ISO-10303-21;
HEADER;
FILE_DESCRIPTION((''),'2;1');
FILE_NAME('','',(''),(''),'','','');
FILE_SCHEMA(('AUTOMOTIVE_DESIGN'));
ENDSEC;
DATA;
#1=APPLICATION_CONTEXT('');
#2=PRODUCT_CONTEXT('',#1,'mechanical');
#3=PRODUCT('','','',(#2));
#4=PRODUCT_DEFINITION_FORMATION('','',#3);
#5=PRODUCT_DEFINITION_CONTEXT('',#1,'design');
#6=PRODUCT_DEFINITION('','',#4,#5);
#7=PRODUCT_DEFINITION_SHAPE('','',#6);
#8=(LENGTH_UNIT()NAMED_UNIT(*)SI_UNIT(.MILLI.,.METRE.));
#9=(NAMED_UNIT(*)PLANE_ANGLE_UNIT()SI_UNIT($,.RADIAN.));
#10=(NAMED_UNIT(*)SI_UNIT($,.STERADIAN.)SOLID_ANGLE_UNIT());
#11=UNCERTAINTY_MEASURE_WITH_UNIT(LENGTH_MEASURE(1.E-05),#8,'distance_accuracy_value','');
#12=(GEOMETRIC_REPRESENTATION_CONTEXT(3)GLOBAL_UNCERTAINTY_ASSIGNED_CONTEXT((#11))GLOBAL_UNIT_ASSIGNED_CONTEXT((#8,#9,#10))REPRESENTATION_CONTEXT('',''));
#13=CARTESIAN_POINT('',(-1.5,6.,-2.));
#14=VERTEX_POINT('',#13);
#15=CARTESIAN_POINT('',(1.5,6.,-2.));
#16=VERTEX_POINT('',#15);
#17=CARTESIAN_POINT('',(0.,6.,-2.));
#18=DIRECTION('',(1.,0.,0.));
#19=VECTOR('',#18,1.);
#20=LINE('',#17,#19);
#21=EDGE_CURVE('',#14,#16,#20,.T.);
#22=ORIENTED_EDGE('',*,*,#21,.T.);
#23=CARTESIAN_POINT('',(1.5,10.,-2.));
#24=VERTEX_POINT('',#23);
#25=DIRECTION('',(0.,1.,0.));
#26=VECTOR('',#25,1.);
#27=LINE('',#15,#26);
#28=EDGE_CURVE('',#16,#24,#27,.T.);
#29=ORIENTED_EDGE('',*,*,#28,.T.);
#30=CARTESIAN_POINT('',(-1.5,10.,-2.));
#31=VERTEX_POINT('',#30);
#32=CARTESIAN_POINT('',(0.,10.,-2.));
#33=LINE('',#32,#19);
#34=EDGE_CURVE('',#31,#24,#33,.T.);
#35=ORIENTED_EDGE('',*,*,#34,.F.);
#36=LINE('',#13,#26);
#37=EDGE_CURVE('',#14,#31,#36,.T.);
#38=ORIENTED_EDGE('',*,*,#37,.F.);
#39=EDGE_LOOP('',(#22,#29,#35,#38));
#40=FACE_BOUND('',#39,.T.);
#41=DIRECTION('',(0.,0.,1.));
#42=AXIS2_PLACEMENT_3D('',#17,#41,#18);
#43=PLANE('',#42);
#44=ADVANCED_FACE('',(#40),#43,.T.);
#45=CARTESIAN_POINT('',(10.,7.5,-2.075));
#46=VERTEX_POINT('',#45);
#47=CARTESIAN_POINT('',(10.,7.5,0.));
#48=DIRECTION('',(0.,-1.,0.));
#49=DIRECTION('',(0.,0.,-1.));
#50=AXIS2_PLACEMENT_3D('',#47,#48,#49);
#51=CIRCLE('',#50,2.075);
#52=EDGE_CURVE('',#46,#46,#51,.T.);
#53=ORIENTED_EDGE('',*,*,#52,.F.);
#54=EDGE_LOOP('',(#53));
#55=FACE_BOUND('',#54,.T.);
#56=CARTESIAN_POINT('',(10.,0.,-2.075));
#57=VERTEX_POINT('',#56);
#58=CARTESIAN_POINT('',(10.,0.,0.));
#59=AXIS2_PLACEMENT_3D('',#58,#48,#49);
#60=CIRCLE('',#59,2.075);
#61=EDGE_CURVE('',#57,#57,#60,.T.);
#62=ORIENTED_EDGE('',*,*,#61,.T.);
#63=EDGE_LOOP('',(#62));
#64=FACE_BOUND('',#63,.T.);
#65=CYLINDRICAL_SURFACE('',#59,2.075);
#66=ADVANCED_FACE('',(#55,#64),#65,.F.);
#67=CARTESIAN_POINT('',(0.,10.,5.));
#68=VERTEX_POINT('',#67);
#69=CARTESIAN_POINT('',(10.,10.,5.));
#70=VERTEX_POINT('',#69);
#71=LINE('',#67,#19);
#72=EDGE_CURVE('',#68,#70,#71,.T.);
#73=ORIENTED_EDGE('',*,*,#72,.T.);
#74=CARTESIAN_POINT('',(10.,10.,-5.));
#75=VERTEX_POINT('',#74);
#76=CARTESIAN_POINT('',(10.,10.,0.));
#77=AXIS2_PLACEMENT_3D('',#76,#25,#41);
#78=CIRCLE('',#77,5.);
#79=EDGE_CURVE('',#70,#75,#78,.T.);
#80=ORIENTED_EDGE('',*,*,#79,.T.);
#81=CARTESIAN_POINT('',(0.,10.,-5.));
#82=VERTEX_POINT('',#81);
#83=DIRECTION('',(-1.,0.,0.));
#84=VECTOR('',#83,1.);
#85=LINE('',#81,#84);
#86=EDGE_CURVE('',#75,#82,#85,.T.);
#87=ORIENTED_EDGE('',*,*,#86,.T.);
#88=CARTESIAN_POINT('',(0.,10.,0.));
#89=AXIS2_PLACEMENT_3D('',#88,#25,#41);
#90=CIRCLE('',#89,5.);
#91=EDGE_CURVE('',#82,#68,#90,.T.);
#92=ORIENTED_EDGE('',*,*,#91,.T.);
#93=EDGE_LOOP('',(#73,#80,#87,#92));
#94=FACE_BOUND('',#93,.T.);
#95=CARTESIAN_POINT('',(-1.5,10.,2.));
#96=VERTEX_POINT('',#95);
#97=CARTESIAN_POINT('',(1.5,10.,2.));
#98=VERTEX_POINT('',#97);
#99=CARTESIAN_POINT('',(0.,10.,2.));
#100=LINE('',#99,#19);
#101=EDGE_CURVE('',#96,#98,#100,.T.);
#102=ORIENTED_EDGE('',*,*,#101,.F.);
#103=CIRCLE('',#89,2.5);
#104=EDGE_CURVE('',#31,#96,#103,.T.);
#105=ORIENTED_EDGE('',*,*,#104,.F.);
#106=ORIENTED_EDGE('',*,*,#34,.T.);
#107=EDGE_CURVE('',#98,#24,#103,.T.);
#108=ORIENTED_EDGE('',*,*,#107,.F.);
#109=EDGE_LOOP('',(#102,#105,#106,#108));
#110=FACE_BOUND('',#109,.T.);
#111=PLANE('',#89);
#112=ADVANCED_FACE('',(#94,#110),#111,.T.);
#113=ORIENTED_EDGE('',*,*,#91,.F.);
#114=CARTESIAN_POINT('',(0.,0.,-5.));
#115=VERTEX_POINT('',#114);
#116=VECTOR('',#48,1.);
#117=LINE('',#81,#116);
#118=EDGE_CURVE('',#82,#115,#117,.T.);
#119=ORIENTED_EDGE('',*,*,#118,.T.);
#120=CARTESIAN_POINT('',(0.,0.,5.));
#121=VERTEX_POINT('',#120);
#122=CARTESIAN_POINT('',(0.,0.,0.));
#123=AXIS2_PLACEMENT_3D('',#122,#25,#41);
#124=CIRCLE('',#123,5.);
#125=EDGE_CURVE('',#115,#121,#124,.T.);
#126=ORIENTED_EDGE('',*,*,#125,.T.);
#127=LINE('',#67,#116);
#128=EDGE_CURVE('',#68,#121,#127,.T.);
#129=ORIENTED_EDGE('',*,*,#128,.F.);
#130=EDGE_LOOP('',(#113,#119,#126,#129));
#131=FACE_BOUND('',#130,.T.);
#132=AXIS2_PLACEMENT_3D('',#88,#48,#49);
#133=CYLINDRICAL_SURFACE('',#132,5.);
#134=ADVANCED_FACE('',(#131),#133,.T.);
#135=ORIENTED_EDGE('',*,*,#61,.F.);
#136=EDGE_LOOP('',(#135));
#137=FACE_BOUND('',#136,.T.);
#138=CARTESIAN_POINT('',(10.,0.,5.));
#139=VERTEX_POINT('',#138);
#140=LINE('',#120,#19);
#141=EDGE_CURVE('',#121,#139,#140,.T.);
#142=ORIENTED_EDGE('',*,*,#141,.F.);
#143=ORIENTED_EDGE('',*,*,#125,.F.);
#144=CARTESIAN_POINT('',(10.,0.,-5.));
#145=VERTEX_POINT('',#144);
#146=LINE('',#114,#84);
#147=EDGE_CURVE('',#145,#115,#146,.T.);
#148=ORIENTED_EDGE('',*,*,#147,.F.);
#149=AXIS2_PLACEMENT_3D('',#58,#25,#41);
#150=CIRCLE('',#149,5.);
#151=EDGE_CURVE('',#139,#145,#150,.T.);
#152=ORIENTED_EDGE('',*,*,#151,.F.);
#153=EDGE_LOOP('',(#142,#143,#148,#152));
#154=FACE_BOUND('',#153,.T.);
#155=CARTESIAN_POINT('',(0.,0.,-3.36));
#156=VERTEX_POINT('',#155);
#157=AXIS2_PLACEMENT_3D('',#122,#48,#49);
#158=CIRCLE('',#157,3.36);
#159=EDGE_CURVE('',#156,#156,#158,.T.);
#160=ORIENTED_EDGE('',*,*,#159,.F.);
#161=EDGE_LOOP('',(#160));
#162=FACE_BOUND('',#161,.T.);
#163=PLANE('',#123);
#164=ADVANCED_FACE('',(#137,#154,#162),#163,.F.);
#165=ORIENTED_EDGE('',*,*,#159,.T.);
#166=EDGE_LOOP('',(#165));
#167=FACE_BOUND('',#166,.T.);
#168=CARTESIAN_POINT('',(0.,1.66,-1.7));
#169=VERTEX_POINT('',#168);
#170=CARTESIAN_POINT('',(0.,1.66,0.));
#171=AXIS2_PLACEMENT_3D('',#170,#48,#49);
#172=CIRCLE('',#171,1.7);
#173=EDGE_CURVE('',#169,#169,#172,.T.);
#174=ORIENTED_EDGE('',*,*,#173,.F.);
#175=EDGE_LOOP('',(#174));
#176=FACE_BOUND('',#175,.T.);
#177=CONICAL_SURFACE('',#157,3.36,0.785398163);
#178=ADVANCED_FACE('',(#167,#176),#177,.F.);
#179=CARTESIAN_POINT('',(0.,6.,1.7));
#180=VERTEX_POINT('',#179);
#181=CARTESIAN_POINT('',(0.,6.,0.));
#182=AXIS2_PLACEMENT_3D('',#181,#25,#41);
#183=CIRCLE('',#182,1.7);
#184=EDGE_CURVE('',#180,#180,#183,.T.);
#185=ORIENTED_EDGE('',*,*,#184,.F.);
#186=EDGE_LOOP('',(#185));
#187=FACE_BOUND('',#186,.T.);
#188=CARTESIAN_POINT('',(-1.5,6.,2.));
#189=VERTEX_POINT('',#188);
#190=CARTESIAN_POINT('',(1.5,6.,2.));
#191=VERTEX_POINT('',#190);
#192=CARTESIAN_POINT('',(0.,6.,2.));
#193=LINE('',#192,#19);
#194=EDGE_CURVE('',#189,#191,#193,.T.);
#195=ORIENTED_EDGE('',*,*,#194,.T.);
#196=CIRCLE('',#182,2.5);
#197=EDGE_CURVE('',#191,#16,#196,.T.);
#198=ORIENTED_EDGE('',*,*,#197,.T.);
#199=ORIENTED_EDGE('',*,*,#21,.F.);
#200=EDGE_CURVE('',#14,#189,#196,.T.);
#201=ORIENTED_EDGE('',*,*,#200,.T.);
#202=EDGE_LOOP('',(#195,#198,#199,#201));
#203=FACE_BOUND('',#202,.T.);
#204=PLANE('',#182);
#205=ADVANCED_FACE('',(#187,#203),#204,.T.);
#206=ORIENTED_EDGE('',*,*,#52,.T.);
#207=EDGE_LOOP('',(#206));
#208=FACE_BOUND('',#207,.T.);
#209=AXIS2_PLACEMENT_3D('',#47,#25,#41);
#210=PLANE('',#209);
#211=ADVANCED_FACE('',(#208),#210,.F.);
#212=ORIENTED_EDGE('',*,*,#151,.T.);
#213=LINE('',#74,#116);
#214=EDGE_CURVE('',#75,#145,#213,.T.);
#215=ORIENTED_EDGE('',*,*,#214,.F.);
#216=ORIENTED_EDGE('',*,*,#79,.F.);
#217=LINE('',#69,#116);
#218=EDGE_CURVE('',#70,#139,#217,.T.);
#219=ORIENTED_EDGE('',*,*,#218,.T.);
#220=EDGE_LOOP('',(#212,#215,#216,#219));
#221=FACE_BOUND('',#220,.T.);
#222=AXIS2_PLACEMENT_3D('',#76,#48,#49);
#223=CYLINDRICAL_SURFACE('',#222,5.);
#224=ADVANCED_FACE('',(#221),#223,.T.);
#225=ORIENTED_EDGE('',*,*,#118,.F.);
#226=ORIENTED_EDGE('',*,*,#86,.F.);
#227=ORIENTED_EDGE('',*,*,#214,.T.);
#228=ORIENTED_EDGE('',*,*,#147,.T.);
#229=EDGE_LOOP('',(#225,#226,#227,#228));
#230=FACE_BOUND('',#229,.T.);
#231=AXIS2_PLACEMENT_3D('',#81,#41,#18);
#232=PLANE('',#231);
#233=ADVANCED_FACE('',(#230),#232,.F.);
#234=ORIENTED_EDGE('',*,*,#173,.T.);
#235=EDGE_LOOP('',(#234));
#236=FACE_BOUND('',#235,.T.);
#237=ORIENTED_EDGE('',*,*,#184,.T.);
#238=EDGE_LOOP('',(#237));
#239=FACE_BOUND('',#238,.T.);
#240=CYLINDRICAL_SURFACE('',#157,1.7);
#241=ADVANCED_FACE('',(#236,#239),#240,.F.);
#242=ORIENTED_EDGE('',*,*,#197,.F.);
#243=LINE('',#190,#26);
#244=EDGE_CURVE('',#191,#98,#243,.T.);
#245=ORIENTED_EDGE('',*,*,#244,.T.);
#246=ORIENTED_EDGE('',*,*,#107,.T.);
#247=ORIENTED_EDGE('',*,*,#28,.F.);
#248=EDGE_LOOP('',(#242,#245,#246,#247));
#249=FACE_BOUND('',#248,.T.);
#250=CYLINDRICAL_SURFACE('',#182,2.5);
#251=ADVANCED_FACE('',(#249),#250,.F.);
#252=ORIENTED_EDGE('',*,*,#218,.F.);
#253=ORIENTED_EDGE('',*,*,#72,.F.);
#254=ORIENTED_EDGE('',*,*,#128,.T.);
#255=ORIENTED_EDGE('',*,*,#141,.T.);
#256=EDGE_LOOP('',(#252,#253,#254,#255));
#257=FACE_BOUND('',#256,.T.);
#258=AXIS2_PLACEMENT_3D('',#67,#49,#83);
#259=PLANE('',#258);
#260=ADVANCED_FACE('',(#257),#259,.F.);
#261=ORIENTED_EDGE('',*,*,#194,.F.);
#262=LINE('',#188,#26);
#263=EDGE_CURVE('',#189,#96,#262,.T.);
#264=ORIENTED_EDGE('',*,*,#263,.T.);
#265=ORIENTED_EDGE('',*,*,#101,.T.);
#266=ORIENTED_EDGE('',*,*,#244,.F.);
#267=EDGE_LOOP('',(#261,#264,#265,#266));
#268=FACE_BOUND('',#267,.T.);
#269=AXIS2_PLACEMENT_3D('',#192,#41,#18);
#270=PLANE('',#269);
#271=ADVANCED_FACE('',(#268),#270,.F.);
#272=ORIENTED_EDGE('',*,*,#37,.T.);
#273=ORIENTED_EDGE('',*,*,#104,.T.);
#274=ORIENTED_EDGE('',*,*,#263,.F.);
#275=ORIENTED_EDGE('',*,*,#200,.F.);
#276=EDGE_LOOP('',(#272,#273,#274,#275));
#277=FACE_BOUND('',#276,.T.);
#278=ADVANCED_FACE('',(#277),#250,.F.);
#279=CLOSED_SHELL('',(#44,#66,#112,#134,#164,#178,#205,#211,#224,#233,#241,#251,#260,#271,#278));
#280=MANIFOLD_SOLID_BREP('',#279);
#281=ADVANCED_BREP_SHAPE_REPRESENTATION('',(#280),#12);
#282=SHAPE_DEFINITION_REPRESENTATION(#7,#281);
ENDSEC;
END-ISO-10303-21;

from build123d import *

# Parameters (mm, degrees)
EXTRUDE_1_DEPTH              = 10
CUT_EXTRUDE_1_DEPTH          = 4
HOLE_WIZARD_M3_1_D           = 3.4
HOLE_WIZARD_M3_1_DEPTH       = 8.1
HOLE_WIZARD_M3_1_CSINK_D     = 6.72
HOLE_WIZARD_M3_1_CSINK_ANGLE = 90
HOLE_WIZARD_M3_1_TIP         = 1.021463052
HOLE_WIZARD_1_D              = 4.15
HOLE_WIZARD_1_DEPTH          = 7.5


with BuildPart() as part:
    # 草图1 → 凸台-拉伸1 (new body)
    with BuildSketch(Plane(origin=(0, 0, 0), x_dir=(1, 0, 0), z_dir=(0, 1, 0))):
        with BuildLine():
            Line((0, 5), (10, 5))
            ThreePointArc((10, 5), (15, 0), (10, -5))
            Line((10, -5), (0, -5))
            ThreePointArc((0, -5), (-5, 0), (0, 5))
        make_face()
    extrude(amount=EXTRUDE_1_DEPTH)

    # 草图2 → 切除-拉伸1 (cut)
    with BuildSketch(Plane(origin=(0, 10, 0), x_dir=(1, 0, 0), z_dir=(0, 1, 0))):
        with BuildLine():
            Line((1.5, 2), (-1.5, 2))
            ThreePointArc((-1.5, 2), (-2.5, 0), (-1.5, -2))
            Line((-1.5, -2), (1.5, -2))
            ThreePointArc((1.5, -2), (2.236067977, -1.118033989), (2.5, 0))
            ThreePointArc((2.5, 0), (2.236067977, 1.118033989), (1.5, 2))
        make_face()
    extrude(amount=-CUT_EXTRUDE_1_DEPTH, mode=Mode.SUBTRACT)

    # M3 六角凹锥坑螺钉的锥形沉头孔1
    with Locations(Plane(origin=(0, 0, 0), x_dir=(-1, 0, 0), z_dir=(0, -1, 0))):
        with Locations((0, 0)):
            CounterSinkHole(HOLE_WIZARD_M3_1_D / 2, HOLE_WIZARD_M3_1_CSINK_D / 2, depth=HOLE_WIZARD_M3_1_DEPTH, counter_sink_angle=HOLE_WIZARD_M3_1_CSINK_ANGLE)
            with Locations((0, 0, -(HOLE_WIZARD_M3_1_DEPTH + HOLE_WIZARD_M3_1_TIP / 2))):  # 118° drill point
                Cone(0, HOLE_WIZARD_M3_1_D / 2, HOLE_WIZARD_M3_1_TIP, mode=Mode.SUBTRACT)

    # 孔1
    with Locations(Plane(origin=(0, 0, 0), x_dir=(-1, 0, 0), z_dir=(0, -1, 0))):
        with Locations((-10, 0)):
            Hole(HOLE_WIZARD_1_D / 2, depth=HOLE_WIZARD_1_DEPTH)


solid = part.part
